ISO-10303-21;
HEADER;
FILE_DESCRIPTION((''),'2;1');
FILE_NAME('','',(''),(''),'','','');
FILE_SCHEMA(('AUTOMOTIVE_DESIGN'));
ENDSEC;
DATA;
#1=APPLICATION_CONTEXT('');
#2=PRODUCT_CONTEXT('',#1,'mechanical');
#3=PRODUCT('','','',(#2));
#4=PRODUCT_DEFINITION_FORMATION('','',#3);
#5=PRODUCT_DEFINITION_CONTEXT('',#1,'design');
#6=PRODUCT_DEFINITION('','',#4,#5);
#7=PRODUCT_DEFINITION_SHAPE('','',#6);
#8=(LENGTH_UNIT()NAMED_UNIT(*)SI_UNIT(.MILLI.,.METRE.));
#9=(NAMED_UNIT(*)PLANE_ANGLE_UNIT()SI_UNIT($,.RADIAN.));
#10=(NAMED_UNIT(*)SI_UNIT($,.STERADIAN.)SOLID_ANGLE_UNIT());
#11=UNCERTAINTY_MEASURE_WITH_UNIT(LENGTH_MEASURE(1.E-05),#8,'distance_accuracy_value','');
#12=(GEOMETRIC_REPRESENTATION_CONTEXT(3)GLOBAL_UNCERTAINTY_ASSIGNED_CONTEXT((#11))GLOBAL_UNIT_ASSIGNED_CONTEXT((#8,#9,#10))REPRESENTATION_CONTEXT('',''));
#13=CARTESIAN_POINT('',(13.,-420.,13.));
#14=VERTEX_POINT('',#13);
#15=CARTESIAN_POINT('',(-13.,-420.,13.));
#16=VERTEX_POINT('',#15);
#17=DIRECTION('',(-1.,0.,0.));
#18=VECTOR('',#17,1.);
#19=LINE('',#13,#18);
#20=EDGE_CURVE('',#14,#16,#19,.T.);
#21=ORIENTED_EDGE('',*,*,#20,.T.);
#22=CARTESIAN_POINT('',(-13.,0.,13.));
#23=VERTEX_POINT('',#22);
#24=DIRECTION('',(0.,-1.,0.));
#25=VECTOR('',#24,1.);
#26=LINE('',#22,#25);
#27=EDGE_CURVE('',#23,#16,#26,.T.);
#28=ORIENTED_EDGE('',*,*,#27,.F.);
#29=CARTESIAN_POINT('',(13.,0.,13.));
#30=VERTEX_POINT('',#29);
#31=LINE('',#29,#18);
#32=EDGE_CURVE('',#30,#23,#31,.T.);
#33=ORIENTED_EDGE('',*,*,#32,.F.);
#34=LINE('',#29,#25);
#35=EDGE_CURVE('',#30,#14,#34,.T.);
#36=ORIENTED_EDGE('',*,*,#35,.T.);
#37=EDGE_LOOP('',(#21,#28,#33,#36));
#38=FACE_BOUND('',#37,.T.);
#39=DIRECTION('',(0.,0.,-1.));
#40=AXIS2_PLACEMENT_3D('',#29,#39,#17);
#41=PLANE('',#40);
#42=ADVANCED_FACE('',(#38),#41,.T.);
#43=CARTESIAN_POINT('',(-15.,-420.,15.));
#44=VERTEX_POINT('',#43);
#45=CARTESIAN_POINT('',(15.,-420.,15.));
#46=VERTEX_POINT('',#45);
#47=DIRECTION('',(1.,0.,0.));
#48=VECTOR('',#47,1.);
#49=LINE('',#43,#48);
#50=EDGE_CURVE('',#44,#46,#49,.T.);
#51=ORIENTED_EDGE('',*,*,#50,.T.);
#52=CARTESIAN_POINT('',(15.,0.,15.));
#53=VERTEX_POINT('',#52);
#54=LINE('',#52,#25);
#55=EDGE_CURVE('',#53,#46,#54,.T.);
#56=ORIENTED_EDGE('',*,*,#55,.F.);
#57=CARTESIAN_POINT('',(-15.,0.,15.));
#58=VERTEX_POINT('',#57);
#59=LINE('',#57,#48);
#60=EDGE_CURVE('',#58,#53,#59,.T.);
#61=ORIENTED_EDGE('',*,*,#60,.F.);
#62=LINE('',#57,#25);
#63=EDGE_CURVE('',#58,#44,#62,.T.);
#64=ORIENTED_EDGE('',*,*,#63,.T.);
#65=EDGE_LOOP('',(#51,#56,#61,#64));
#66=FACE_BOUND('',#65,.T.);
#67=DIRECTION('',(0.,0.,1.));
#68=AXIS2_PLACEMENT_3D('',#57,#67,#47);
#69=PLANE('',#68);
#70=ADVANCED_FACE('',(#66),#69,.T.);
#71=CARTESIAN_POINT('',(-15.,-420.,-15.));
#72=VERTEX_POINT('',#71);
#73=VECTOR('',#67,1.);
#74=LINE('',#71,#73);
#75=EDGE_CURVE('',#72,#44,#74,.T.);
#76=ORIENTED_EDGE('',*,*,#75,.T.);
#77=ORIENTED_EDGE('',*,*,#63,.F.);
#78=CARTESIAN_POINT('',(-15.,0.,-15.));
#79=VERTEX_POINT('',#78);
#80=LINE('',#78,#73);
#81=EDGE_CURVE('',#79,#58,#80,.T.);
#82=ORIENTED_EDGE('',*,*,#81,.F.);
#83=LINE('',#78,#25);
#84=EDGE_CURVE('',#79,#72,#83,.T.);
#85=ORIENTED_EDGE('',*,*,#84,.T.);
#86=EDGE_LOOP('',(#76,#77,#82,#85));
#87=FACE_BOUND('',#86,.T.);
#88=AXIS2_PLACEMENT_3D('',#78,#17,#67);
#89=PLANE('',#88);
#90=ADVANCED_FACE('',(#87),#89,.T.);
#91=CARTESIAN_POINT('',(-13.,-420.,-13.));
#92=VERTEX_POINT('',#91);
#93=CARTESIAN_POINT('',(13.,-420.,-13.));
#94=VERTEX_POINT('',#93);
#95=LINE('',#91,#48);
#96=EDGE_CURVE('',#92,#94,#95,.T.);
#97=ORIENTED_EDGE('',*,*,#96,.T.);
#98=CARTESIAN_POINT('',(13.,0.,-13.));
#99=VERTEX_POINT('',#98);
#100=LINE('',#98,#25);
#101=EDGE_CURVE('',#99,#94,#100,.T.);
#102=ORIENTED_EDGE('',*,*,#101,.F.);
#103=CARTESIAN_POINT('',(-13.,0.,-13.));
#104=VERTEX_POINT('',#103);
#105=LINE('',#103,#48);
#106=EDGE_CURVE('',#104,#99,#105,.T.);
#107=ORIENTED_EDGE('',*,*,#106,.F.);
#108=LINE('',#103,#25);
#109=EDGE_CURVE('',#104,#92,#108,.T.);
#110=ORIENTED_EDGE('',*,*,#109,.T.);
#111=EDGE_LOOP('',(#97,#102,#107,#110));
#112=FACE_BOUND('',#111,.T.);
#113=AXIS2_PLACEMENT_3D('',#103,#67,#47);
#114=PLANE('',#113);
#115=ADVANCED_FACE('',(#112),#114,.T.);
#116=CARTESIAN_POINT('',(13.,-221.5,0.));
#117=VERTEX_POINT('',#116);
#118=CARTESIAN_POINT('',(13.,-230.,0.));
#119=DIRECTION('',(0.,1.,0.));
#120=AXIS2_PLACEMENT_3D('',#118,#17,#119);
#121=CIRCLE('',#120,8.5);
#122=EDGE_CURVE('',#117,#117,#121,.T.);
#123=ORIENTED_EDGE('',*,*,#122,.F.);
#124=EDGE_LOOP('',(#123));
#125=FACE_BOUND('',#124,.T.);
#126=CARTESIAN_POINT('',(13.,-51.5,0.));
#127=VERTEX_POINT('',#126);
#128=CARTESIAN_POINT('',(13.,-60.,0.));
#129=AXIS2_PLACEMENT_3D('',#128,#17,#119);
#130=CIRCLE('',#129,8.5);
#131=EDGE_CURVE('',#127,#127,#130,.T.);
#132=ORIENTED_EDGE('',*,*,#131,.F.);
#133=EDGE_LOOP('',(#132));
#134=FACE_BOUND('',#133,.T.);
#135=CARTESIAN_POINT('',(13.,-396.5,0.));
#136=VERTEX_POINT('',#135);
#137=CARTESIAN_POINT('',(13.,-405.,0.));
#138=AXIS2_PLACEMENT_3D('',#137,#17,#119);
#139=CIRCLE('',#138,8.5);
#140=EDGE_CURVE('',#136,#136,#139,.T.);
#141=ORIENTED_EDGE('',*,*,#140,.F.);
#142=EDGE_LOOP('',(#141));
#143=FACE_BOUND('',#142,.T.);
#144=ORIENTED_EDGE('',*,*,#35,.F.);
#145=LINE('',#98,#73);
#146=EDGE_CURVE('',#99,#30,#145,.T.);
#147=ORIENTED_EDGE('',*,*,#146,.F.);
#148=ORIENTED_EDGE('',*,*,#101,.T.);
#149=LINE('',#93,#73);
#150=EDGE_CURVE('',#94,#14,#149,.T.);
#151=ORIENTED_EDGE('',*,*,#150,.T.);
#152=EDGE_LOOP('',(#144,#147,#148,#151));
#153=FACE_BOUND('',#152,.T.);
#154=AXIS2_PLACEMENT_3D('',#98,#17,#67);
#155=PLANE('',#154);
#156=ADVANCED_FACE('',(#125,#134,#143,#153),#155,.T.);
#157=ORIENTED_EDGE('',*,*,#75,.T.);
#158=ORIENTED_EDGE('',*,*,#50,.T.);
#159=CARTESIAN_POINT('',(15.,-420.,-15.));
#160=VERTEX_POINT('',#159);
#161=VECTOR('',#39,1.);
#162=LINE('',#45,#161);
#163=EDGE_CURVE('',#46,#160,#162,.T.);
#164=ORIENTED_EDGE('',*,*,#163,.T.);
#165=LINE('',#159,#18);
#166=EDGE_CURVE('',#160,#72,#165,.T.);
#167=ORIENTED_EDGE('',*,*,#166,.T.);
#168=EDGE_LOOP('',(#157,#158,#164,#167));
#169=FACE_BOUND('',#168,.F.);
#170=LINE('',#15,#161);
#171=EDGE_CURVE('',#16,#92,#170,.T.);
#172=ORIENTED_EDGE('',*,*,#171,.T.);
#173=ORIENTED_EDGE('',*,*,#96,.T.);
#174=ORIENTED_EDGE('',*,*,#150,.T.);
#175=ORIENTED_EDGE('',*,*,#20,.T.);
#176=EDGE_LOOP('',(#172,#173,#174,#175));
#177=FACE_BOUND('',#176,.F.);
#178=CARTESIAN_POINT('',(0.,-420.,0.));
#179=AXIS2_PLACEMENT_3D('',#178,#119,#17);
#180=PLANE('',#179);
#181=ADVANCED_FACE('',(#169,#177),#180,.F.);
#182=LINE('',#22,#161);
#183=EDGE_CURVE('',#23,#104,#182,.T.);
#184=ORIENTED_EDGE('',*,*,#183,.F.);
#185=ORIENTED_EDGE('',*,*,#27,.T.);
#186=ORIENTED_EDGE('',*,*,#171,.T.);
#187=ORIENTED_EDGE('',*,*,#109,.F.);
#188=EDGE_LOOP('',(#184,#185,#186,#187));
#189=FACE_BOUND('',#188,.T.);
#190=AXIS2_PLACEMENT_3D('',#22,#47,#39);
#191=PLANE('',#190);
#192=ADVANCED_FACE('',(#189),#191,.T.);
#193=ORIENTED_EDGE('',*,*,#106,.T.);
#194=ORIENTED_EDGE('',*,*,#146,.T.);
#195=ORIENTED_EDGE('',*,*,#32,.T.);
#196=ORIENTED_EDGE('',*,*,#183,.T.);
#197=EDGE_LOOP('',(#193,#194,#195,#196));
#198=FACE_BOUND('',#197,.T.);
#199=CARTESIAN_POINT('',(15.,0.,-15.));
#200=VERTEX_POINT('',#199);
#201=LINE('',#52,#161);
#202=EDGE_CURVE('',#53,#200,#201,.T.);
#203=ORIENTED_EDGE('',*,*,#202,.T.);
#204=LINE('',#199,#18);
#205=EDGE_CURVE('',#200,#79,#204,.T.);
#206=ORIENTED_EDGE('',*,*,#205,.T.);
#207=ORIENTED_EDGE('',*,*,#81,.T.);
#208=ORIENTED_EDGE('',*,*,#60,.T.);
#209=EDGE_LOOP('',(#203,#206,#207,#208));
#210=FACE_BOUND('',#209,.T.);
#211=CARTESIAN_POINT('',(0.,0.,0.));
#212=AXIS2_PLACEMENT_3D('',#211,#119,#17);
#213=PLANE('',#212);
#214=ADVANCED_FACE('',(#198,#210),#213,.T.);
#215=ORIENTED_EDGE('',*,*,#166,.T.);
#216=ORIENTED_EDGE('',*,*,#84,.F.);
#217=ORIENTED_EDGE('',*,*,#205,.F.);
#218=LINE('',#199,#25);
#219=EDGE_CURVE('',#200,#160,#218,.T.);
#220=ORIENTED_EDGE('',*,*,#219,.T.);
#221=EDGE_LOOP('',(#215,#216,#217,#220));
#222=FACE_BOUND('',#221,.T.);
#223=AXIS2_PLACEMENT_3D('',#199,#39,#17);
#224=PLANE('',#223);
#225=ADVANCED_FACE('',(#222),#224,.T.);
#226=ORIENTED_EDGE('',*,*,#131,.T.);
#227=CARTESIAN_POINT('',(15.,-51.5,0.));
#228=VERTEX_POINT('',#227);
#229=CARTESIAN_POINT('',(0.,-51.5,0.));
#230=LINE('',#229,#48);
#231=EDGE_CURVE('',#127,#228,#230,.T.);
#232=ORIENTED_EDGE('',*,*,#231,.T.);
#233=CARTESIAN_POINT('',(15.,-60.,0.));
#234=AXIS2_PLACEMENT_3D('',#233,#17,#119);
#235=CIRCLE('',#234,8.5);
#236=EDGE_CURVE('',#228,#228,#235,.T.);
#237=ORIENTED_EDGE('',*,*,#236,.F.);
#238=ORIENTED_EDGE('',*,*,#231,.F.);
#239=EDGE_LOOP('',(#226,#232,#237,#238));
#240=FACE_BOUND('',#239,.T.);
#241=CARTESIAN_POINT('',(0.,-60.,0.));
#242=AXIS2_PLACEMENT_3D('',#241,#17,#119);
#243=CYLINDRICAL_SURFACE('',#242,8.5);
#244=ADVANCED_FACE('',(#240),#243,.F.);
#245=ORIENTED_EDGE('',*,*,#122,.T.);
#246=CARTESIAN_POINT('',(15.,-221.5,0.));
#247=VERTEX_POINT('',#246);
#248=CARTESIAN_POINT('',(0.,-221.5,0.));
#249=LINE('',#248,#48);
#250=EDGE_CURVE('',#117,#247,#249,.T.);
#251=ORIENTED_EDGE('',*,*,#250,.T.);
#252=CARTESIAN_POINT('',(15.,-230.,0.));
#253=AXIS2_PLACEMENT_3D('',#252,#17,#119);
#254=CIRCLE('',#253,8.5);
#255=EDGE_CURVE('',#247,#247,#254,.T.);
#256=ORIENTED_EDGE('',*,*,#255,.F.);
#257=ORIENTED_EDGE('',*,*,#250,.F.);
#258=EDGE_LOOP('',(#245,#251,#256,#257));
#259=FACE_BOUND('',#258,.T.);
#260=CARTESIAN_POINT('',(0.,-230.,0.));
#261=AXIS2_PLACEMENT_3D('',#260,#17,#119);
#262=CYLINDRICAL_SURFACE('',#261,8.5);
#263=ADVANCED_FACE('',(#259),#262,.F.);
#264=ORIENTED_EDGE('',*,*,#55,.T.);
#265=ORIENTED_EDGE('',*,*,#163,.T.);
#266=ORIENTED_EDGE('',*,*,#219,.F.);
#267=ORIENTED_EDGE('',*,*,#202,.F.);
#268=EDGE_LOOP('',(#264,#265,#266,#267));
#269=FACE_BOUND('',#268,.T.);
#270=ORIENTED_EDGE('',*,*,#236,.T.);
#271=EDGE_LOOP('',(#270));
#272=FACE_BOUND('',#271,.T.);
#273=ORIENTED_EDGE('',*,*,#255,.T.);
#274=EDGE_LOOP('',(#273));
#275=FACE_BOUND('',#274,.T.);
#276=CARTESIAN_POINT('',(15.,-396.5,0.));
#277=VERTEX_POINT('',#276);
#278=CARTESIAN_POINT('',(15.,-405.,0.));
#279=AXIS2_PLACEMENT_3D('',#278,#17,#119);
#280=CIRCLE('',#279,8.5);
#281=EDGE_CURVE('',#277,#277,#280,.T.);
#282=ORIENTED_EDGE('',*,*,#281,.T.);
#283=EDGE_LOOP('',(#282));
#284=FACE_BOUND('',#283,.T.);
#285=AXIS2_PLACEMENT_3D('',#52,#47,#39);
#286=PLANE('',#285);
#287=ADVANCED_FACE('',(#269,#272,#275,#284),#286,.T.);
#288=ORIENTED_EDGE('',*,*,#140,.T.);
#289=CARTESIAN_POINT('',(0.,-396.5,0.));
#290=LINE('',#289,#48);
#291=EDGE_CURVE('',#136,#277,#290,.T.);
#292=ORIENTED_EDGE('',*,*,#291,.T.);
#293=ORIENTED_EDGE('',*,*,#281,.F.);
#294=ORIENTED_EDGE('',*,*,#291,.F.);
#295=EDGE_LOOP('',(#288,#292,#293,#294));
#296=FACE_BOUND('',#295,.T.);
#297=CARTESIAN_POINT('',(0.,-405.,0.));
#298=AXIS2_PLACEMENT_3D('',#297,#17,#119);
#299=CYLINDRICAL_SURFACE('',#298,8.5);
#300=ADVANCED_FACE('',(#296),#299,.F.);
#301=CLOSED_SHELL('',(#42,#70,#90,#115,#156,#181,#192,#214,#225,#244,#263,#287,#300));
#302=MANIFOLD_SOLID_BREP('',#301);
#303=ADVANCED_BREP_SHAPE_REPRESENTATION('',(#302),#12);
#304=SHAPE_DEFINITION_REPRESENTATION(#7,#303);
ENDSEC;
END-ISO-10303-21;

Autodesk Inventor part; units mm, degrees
ref_plane "YZ Plane" through (0, 0, 0) normal (1, 0, 0) x (0, 1, 0)
ref_plane "XZ Plane" through (0, 0, 0) normal (0, 1, 0) x (-1, 0, 0)
ref_plane "XY Plane" through (0, 0, 0) normal (0, 0, 1) x (1, 0, 0)
sketch "Sketch9" plane through (0, 0, 0) normal (0, 1, 0) x (-1, 0, 0)
  line L0 (15, 15) -> (-15, 15)
  line L1 (-15, 15) -> (-15, -15)
  line L2 (-15, -15) -> (15, -15)
  line L3 (15, -15) -> (15, 15)
  line L4 (15, 15) -> (-15, -15) construction
  line L5 (-15, 15) -> (15, -15) construction
  line L6 (-13, 13) -> (13, 13)
  line L7 (13, 13) -> (13, -13)
  line L8 (13, -13) -> (-13, -13)
  line L9 (-13, -13) -> (-13, 13)
  point P0 (0, 0)
  dimension "d172" = 30
  dimension "d173" = 30
  dimension "d174" = 2
extrude "Extrusion3" add sketch "Sketch9" against normal blind 420
sketch "Sketch10" plane through (0, 0, 0) normal (1, 0, 0) x (0, 1, 0)
  line L0 (0, 15) -> (0, -15) construction
  line L1 (0, 15) -> (-420, 15) construction
  line L2 (-420, -15) -> (-420, 15) construction
  line L3 (0, -15) -> (-420, -15) construction
  line L4 (-68.5, 8.5) -> (-51.5, 8.5)
  line L5 (-51.5, 8.5) -> (-51.5, -8.5)
  line L6 (-51.5, -8.5) -> (-68.5, -8.5)
  line L7 (-68.5, -8.5) -> (-68.5, 8.5)
  line L8 (-68.5, 8.5) -> (-51.5, -8.5) construction
  line L9 (-51.5, 8.5) -> (-68.5, -8.5) construction
  line L10 (-238.5, 8.5) -> (-221.5, 8.5)
  line L11 (-221.5, 8.5) -> (-221.5, -8.5)
  line L12 (-221.5, -8.5) -> (-238.5, -8.5)
  line L13 (-238.5, -8.5) -> (-238.5, 8.5)
  line L14 (-238.5, 8.5) -> (-221.5, -8.5) construction
  line L15 (-221.5, 8.5) -> (-238.5, -8.5) construction
  line L16 (-413.5, 8.5) -> (-396.5, 8.5)
  line L17 (-396.5, 8.5) -> (-396.5, -8.5)
  line L18 (-396.5, -8.5) -> (-413.5, -8.5)
  line L19 (-413.5, -8.5) -> (-413.5, 8.5)
  line L20 (-413.5, 8.5) -> (-396.5, -8.5) construction
  line L21 (-396.5, 8.5) -> (-413.5, -8.5) construction
  circle A0 centre (-470, 0) radius 8.5
  line L22 (0, 0) -> (30, 0)
  circle A1 centre (-60, 0) radius 8.5
  circle A2 centre (-230, 0) radius 8.5
  circle A3 centre (-405, 0) radius 8.5
  dimension "d177" = 17
  dimension "d178" = 17
  dimension "d181" = 30
  dimension "d182" = 90
  dimension "d183" = 260
  dimension "d184" = 435
  dimension "d185" = 500
  dimension "d186" = 17
extrude "Extrusion4" cut sketch "Sketch10" along normal through all contours A1 | A2 | A3
properties part number "APN 1752 FDS 1200 way tube 2" material "Stainless Steel"
